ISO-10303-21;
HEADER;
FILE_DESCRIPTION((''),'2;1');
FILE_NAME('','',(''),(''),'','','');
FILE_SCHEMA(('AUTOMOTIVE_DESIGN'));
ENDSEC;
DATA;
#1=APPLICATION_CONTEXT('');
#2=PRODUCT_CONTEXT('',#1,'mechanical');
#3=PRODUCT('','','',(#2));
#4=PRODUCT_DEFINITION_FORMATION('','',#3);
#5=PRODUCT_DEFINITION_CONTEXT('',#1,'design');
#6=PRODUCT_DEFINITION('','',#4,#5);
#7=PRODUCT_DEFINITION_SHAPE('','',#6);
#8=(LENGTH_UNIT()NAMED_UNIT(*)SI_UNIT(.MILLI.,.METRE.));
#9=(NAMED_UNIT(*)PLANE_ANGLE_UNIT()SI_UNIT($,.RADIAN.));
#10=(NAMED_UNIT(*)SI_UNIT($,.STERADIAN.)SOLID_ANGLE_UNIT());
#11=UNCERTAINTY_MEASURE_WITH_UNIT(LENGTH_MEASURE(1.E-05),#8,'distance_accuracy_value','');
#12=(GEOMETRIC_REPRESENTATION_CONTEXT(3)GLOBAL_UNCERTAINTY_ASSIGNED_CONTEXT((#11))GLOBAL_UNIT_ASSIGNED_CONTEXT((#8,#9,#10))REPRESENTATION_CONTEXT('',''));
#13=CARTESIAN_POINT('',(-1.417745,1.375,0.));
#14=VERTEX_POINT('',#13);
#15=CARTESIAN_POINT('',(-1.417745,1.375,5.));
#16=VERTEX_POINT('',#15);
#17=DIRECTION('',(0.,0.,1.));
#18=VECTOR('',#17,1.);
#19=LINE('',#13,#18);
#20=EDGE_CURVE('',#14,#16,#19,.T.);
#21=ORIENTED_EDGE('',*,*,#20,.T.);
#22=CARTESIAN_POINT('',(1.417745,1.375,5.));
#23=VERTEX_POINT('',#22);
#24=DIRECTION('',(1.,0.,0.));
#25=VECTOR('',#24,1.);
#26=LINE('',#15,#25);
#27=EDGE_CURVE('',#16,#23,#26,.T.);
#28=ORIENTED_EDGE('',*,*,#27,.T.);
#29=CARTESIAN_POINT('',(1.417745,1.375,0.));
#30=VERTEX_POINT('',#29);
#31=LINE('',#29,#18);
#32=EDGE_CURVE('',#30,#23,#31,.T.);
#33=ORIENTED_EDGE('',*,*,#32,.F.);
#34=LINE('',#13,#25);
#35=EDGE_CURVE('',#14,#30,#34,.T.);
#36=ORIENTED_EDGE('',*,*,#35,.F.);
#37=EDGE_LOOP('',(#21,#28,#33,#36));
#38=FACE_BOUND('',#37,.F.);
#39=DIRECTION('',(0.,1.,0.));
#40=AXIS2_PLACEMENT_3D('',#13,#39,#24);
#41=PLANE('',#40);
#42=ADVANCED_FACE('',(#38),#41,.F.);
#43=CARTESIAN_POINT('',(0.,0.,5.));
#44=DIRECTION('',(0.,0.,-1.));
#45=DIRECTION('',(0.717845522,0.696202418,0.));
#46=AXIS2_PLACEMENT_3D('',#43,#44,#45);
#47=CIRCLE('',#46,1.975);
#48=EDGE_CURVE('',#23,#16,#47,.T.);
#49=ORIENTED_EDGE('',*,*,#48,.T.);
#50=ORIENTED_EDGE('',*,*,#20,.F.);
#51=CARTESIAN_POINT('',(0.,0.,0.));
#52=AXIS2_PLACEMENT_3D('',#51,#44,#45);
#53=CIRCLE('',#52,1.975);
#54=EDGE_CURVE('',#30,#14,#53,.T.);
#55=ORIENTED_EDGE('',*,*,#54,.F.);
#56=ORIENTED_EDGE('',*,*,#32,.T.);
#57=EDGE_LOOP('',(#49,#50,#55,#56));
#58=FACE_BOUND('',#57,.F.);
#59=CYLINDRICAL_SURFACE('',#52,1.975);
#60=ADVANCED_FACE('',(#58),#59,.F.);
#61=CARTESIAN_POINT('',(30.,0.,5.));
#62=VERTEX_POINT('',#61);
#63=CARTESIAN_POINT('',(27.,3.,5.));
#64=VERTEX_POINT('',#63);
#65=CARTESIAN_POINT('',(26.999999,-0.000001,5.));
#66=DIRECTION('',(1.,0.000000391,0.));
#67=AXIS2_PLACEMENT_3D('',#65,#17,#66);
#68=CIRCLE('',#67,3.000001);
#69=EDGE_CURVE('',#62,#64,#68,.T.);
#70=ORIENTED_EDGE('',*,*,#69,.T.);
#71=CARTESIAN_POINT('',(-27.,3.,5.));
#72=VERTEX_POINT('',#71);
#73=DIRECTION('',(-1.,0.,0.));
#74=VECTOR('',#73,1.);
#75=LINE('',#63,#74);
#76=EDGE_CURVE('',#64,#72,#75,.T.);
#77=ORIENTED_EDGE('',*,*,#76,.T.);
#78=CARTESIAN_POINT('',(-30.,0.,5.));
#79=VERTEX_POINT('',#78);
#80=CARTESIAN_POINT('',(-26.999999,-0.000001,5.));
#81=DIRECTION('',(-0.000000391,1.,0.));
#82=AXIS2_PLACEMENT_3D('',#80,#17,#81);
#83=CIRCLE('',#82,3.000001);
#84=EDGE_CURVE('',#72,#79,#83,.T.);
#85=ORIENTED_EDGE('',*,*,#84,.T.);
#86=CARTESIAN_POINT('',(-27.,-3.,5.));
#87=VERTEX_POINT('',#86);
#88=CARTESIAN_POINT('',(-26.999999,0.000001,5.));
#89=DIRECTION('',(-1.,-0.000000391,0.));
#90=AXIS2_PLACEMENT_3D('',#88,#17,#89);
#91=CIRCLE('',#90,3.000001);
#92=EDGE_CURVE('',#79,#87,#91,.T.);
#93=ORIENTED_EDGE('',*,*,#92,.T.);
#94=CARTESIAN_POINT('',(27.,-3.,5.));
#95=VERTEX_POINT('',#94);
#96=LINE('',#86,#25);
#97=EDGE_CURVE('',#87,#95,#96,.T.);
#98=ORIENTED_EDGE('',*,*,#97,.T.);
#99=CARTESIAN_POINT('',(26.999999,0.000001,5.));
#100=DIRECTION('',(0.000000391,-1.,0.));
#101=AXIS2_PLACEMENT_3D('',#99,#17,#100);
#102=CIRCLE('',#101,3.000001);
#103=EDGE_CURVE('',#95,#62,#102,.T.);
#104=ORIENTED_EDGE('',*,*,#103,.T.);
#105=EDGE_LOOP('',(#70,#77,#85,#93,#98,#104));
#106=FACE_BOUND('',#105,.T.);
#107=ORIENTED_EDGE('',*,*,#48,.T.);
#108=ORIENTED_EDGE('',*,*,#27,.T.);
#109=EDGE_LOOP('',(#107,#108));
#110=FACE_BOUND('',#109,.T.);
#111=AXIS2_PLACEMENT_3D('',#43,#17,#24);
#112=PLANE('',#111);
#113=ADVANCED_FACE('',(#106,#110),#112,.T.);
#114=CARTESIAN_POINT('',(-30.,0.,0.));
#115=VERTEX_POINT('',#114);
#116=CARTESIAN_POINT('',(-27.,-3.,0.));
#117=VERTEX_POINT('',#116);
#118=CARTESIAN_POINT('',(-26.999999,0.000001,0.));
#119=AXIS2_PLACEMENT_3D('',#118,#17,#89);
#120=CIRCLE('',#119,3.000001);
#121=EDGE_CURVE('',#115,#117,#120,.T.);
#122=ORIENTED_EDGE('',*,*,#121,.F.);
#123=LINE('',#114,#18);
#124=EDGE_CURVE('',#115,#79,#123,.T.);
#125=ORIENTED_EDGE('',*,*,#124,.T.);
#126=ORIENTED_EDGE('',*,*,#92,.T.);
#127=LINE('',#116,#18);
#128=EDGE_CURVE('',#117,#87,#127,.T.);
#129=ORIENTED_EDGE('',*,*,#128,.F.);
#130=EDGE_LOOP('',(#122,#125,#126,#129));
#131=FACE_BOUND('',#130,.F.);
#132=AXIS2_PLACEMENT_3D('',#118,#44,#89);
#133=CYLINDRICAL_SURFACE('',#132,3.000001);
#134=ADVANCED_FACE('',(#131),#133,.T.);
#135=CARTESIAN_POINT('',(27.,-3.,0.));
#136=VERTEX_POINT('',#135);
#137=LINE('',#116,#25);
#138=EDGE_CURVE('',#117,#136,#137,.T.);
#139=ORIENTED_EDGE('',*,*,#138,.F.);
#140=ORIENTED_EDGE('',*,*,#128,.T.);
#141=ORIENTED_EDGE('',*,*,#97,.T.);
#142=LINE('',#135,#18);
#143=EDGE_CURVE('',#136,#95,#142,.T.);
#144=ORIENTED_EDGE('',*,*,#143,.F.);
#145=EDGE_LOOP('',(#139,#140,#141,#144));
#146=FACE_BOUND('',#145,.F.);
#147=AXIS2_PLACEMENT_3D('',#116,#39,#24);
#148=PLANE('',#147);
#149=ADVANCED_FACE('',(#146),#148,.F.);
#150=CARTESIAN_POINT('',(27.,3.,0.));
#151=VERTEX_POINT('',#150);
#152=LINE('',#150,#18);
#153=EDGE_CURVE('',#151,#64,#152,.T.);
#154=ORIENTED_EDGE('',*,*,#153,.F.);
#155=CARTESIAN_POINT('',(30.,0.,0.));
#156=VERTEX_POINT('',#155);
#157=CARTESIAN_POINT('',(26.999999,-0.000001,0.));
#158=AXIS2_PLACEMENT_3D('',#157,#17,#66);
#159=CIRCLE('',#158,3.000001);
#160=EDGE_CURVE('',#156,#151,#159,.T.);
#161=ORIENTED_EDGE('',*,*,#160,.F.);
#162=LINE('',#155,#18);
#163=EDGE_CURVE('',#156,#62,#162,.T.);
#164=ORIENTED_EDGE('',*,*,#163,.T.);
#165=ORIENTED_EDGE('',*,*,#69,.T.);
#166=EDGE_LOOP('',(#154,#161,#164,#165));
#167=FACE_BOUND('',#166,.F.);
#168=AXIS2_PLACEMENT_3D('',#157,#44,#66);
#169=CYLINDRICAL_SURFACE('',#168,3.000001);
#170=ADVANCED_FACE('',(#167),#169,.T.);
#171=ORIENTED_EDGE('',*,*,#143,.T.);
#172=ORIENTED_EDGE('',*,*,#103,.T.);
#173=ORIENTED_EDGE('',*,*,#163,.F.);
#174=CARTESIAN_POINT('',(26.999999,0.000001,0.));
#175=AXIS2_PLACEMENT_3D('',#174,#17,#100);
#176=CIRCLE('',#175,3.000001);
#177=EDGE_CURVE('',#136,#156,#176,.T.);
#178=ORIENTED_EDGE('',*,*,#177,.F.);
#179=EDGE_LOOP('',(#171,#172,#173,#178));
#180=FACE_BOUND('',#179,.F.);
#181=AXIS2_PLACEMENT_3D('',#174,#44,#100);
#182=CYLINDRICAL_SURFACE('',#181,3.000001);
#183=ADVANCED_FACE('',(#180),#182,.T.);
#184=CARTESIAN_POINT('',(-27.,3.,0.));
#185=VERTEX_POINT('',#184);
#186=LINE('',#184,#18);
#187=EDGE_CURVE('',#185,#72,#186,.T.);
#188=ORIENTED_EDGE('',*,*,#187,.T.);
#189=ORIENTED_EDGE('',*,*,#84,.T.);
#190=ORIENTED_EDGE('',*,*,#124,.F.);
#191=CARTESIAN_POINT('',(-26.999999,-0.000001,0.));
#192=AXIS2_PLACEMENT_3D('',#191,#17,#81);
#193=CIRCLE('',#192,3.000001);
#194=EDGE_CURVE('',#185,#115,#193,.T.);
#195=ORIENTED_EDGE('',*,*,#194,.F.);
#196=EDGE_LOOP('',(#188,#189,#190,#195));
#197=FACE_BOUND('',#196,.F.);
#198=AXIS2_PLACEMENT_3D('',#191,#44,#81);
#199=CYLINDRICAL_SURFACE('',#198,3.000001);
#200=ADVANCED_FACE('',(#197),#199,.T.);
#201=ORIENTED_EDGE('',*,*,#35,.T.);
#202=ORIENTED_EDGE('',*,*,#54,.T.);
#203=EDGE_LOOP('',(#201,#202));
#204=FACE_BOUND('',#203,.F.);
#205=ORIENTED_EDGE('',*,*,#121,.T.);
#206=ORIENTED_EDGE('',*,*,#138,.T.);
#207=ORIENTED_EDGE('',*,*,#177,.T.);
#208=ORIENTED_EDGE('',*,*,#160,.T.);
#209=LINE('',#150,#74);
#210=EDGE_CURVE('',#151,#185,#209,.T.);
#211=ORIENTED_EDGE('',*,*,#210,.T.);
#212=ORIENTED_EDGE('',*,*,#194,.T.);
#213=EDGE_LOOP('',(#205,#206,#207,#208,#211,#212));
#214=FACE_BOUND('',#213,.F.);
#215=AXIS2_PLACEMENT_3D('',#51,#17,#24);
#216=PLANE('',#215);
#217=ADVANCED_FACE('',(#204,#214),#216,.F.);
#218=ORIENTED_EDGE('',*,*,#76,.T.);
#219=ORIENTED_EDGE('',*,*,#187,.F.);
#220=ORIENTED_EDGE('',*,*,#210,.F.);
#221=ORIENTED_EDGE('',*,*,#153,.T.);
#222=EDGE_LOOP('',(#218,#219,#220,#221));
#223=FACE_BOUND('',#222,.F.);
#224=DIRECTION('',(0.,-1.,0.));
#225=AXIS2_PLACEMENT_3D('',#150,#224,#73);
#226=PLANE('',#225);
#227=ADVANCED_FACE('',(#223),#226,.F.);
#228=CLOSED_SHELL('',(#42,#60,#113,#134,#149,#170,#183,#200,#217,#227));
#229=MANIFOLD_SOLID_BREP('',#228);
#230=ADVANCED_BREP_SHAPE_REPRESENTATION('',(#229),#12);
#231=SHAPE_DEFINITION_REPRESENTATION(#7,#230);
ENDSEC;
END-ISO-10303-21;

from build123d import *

# Parameters (mm, degrees)
F1_DEPTH = 5


with BuildPart() as f1:
    # F0 (on Top) → F1 (new body)
    with BuildSketch(Plane.XY):
        with BuildLine():
            Line((-27, -3), (27, -3))
            ThreePointArc((27, -3), (29.12132, -2.12132), (30, 0))
            ThreePointArc((30, 0), (29.12132, 2.12132), (27, 3))
            Line((27, 3), (-27, 3))
            ThreePointArc((-27, 3), (-29.12132, 2.12132), (-30, 0))
            ThreePointArc((-30, 0), (-29.12132, -2.12132), (-27, -3))
        make_face()
        with BuildLine():
            ThreePointArc((1.417745, 1.375), (0, -1.975), (-1.417745, 1.375))
            Line((-1.417745, 1.375), (1.417745, 1.375))
        make_face(mode=Mode.SUBTRACT)
    extrude(amount=F1_DEPTH)


solid = f1.part
